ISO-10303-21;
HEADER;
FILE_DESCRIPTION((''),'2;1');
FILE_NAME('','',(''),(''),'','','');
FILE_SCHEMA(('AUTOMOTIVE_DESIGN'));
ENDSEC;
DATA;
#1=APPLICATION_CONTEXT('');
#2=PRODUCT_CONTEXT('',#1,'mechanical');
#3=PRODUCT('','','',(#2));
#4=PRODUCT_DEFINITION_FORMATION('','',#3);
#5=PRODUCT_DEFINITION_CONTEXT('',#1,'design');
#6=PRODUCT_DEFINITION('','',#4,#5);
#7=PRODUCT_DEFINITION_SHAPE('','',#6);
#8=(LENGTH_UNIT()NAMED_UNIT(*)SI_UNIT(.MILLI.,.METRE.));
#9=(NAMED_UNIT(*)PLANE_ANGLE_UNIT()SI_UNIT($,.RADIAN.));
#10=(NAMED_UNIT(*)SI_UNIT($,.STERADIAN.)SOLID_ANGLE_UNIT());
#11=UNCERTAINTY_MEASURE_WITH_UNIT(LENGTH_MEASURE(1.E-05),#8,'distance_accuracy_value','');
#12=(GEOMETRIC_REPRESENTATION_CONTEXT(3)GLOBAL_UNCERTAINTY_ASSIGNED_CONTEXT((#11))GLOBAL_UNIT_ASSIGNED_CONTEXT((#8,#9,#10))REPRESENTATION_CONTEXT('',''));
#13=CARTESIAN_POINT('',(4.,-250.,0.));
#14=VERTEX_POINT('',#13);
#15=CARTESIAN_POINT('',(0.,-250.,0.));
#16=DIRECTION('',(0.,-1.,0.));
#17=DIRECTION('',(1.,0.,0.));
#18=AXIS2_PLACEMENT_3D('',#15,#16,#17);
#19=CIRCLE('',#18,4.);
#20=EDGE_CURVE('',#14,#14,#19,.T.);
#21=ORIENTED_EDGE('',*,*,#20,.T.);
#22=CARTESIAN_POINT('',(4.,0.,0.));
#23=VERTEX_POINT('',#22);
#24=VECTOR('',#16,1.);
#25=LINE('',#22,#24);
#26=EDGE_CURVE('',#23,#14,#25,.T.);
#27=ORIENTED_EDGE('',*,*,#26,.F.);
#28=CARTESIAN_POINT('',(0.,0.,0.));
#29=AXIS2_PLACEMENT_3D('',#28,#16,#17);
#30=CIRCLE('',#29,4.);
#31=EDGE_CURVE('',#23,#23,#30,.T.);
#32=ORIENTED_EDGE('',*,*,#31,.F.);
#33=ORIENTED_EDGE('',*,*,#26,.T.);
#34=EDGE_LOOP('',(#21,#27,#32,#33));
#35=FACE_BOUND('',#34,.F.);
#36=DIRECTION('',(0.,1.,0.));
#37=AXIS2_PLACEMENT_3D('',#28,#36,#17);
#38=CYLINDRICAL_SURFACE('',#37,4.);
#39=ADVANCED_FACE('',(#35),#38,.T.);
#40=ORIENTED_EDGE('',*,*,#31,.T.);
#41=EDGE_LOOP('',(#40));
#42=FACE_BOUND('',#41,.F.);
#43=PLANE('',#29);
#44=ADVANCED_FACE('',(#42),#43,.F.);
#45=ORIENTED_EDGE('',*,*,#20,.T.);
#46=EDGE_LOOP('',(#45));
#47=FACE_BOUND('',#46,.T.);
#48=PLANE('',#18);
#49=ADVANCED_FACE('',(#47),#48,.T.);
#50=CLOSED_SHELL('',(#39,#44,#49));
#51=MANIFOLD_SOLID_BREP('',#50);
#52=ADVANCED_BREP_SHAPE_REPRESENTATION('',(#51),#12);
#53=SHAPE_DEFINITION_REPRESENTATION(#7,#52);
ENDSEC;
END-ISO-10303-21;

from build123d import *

# Parameters (mm, degrees)
SKETCH_R  = 4
PAD_DEPTH = 250


with BuildPart() as part:
    # Sketch → Pad (new body)
    with BuildSketch(Plane.XZ):
        Circle(SKETCH_R)
    extrude(amount=PAD_DEPTH)


solid = part.part
